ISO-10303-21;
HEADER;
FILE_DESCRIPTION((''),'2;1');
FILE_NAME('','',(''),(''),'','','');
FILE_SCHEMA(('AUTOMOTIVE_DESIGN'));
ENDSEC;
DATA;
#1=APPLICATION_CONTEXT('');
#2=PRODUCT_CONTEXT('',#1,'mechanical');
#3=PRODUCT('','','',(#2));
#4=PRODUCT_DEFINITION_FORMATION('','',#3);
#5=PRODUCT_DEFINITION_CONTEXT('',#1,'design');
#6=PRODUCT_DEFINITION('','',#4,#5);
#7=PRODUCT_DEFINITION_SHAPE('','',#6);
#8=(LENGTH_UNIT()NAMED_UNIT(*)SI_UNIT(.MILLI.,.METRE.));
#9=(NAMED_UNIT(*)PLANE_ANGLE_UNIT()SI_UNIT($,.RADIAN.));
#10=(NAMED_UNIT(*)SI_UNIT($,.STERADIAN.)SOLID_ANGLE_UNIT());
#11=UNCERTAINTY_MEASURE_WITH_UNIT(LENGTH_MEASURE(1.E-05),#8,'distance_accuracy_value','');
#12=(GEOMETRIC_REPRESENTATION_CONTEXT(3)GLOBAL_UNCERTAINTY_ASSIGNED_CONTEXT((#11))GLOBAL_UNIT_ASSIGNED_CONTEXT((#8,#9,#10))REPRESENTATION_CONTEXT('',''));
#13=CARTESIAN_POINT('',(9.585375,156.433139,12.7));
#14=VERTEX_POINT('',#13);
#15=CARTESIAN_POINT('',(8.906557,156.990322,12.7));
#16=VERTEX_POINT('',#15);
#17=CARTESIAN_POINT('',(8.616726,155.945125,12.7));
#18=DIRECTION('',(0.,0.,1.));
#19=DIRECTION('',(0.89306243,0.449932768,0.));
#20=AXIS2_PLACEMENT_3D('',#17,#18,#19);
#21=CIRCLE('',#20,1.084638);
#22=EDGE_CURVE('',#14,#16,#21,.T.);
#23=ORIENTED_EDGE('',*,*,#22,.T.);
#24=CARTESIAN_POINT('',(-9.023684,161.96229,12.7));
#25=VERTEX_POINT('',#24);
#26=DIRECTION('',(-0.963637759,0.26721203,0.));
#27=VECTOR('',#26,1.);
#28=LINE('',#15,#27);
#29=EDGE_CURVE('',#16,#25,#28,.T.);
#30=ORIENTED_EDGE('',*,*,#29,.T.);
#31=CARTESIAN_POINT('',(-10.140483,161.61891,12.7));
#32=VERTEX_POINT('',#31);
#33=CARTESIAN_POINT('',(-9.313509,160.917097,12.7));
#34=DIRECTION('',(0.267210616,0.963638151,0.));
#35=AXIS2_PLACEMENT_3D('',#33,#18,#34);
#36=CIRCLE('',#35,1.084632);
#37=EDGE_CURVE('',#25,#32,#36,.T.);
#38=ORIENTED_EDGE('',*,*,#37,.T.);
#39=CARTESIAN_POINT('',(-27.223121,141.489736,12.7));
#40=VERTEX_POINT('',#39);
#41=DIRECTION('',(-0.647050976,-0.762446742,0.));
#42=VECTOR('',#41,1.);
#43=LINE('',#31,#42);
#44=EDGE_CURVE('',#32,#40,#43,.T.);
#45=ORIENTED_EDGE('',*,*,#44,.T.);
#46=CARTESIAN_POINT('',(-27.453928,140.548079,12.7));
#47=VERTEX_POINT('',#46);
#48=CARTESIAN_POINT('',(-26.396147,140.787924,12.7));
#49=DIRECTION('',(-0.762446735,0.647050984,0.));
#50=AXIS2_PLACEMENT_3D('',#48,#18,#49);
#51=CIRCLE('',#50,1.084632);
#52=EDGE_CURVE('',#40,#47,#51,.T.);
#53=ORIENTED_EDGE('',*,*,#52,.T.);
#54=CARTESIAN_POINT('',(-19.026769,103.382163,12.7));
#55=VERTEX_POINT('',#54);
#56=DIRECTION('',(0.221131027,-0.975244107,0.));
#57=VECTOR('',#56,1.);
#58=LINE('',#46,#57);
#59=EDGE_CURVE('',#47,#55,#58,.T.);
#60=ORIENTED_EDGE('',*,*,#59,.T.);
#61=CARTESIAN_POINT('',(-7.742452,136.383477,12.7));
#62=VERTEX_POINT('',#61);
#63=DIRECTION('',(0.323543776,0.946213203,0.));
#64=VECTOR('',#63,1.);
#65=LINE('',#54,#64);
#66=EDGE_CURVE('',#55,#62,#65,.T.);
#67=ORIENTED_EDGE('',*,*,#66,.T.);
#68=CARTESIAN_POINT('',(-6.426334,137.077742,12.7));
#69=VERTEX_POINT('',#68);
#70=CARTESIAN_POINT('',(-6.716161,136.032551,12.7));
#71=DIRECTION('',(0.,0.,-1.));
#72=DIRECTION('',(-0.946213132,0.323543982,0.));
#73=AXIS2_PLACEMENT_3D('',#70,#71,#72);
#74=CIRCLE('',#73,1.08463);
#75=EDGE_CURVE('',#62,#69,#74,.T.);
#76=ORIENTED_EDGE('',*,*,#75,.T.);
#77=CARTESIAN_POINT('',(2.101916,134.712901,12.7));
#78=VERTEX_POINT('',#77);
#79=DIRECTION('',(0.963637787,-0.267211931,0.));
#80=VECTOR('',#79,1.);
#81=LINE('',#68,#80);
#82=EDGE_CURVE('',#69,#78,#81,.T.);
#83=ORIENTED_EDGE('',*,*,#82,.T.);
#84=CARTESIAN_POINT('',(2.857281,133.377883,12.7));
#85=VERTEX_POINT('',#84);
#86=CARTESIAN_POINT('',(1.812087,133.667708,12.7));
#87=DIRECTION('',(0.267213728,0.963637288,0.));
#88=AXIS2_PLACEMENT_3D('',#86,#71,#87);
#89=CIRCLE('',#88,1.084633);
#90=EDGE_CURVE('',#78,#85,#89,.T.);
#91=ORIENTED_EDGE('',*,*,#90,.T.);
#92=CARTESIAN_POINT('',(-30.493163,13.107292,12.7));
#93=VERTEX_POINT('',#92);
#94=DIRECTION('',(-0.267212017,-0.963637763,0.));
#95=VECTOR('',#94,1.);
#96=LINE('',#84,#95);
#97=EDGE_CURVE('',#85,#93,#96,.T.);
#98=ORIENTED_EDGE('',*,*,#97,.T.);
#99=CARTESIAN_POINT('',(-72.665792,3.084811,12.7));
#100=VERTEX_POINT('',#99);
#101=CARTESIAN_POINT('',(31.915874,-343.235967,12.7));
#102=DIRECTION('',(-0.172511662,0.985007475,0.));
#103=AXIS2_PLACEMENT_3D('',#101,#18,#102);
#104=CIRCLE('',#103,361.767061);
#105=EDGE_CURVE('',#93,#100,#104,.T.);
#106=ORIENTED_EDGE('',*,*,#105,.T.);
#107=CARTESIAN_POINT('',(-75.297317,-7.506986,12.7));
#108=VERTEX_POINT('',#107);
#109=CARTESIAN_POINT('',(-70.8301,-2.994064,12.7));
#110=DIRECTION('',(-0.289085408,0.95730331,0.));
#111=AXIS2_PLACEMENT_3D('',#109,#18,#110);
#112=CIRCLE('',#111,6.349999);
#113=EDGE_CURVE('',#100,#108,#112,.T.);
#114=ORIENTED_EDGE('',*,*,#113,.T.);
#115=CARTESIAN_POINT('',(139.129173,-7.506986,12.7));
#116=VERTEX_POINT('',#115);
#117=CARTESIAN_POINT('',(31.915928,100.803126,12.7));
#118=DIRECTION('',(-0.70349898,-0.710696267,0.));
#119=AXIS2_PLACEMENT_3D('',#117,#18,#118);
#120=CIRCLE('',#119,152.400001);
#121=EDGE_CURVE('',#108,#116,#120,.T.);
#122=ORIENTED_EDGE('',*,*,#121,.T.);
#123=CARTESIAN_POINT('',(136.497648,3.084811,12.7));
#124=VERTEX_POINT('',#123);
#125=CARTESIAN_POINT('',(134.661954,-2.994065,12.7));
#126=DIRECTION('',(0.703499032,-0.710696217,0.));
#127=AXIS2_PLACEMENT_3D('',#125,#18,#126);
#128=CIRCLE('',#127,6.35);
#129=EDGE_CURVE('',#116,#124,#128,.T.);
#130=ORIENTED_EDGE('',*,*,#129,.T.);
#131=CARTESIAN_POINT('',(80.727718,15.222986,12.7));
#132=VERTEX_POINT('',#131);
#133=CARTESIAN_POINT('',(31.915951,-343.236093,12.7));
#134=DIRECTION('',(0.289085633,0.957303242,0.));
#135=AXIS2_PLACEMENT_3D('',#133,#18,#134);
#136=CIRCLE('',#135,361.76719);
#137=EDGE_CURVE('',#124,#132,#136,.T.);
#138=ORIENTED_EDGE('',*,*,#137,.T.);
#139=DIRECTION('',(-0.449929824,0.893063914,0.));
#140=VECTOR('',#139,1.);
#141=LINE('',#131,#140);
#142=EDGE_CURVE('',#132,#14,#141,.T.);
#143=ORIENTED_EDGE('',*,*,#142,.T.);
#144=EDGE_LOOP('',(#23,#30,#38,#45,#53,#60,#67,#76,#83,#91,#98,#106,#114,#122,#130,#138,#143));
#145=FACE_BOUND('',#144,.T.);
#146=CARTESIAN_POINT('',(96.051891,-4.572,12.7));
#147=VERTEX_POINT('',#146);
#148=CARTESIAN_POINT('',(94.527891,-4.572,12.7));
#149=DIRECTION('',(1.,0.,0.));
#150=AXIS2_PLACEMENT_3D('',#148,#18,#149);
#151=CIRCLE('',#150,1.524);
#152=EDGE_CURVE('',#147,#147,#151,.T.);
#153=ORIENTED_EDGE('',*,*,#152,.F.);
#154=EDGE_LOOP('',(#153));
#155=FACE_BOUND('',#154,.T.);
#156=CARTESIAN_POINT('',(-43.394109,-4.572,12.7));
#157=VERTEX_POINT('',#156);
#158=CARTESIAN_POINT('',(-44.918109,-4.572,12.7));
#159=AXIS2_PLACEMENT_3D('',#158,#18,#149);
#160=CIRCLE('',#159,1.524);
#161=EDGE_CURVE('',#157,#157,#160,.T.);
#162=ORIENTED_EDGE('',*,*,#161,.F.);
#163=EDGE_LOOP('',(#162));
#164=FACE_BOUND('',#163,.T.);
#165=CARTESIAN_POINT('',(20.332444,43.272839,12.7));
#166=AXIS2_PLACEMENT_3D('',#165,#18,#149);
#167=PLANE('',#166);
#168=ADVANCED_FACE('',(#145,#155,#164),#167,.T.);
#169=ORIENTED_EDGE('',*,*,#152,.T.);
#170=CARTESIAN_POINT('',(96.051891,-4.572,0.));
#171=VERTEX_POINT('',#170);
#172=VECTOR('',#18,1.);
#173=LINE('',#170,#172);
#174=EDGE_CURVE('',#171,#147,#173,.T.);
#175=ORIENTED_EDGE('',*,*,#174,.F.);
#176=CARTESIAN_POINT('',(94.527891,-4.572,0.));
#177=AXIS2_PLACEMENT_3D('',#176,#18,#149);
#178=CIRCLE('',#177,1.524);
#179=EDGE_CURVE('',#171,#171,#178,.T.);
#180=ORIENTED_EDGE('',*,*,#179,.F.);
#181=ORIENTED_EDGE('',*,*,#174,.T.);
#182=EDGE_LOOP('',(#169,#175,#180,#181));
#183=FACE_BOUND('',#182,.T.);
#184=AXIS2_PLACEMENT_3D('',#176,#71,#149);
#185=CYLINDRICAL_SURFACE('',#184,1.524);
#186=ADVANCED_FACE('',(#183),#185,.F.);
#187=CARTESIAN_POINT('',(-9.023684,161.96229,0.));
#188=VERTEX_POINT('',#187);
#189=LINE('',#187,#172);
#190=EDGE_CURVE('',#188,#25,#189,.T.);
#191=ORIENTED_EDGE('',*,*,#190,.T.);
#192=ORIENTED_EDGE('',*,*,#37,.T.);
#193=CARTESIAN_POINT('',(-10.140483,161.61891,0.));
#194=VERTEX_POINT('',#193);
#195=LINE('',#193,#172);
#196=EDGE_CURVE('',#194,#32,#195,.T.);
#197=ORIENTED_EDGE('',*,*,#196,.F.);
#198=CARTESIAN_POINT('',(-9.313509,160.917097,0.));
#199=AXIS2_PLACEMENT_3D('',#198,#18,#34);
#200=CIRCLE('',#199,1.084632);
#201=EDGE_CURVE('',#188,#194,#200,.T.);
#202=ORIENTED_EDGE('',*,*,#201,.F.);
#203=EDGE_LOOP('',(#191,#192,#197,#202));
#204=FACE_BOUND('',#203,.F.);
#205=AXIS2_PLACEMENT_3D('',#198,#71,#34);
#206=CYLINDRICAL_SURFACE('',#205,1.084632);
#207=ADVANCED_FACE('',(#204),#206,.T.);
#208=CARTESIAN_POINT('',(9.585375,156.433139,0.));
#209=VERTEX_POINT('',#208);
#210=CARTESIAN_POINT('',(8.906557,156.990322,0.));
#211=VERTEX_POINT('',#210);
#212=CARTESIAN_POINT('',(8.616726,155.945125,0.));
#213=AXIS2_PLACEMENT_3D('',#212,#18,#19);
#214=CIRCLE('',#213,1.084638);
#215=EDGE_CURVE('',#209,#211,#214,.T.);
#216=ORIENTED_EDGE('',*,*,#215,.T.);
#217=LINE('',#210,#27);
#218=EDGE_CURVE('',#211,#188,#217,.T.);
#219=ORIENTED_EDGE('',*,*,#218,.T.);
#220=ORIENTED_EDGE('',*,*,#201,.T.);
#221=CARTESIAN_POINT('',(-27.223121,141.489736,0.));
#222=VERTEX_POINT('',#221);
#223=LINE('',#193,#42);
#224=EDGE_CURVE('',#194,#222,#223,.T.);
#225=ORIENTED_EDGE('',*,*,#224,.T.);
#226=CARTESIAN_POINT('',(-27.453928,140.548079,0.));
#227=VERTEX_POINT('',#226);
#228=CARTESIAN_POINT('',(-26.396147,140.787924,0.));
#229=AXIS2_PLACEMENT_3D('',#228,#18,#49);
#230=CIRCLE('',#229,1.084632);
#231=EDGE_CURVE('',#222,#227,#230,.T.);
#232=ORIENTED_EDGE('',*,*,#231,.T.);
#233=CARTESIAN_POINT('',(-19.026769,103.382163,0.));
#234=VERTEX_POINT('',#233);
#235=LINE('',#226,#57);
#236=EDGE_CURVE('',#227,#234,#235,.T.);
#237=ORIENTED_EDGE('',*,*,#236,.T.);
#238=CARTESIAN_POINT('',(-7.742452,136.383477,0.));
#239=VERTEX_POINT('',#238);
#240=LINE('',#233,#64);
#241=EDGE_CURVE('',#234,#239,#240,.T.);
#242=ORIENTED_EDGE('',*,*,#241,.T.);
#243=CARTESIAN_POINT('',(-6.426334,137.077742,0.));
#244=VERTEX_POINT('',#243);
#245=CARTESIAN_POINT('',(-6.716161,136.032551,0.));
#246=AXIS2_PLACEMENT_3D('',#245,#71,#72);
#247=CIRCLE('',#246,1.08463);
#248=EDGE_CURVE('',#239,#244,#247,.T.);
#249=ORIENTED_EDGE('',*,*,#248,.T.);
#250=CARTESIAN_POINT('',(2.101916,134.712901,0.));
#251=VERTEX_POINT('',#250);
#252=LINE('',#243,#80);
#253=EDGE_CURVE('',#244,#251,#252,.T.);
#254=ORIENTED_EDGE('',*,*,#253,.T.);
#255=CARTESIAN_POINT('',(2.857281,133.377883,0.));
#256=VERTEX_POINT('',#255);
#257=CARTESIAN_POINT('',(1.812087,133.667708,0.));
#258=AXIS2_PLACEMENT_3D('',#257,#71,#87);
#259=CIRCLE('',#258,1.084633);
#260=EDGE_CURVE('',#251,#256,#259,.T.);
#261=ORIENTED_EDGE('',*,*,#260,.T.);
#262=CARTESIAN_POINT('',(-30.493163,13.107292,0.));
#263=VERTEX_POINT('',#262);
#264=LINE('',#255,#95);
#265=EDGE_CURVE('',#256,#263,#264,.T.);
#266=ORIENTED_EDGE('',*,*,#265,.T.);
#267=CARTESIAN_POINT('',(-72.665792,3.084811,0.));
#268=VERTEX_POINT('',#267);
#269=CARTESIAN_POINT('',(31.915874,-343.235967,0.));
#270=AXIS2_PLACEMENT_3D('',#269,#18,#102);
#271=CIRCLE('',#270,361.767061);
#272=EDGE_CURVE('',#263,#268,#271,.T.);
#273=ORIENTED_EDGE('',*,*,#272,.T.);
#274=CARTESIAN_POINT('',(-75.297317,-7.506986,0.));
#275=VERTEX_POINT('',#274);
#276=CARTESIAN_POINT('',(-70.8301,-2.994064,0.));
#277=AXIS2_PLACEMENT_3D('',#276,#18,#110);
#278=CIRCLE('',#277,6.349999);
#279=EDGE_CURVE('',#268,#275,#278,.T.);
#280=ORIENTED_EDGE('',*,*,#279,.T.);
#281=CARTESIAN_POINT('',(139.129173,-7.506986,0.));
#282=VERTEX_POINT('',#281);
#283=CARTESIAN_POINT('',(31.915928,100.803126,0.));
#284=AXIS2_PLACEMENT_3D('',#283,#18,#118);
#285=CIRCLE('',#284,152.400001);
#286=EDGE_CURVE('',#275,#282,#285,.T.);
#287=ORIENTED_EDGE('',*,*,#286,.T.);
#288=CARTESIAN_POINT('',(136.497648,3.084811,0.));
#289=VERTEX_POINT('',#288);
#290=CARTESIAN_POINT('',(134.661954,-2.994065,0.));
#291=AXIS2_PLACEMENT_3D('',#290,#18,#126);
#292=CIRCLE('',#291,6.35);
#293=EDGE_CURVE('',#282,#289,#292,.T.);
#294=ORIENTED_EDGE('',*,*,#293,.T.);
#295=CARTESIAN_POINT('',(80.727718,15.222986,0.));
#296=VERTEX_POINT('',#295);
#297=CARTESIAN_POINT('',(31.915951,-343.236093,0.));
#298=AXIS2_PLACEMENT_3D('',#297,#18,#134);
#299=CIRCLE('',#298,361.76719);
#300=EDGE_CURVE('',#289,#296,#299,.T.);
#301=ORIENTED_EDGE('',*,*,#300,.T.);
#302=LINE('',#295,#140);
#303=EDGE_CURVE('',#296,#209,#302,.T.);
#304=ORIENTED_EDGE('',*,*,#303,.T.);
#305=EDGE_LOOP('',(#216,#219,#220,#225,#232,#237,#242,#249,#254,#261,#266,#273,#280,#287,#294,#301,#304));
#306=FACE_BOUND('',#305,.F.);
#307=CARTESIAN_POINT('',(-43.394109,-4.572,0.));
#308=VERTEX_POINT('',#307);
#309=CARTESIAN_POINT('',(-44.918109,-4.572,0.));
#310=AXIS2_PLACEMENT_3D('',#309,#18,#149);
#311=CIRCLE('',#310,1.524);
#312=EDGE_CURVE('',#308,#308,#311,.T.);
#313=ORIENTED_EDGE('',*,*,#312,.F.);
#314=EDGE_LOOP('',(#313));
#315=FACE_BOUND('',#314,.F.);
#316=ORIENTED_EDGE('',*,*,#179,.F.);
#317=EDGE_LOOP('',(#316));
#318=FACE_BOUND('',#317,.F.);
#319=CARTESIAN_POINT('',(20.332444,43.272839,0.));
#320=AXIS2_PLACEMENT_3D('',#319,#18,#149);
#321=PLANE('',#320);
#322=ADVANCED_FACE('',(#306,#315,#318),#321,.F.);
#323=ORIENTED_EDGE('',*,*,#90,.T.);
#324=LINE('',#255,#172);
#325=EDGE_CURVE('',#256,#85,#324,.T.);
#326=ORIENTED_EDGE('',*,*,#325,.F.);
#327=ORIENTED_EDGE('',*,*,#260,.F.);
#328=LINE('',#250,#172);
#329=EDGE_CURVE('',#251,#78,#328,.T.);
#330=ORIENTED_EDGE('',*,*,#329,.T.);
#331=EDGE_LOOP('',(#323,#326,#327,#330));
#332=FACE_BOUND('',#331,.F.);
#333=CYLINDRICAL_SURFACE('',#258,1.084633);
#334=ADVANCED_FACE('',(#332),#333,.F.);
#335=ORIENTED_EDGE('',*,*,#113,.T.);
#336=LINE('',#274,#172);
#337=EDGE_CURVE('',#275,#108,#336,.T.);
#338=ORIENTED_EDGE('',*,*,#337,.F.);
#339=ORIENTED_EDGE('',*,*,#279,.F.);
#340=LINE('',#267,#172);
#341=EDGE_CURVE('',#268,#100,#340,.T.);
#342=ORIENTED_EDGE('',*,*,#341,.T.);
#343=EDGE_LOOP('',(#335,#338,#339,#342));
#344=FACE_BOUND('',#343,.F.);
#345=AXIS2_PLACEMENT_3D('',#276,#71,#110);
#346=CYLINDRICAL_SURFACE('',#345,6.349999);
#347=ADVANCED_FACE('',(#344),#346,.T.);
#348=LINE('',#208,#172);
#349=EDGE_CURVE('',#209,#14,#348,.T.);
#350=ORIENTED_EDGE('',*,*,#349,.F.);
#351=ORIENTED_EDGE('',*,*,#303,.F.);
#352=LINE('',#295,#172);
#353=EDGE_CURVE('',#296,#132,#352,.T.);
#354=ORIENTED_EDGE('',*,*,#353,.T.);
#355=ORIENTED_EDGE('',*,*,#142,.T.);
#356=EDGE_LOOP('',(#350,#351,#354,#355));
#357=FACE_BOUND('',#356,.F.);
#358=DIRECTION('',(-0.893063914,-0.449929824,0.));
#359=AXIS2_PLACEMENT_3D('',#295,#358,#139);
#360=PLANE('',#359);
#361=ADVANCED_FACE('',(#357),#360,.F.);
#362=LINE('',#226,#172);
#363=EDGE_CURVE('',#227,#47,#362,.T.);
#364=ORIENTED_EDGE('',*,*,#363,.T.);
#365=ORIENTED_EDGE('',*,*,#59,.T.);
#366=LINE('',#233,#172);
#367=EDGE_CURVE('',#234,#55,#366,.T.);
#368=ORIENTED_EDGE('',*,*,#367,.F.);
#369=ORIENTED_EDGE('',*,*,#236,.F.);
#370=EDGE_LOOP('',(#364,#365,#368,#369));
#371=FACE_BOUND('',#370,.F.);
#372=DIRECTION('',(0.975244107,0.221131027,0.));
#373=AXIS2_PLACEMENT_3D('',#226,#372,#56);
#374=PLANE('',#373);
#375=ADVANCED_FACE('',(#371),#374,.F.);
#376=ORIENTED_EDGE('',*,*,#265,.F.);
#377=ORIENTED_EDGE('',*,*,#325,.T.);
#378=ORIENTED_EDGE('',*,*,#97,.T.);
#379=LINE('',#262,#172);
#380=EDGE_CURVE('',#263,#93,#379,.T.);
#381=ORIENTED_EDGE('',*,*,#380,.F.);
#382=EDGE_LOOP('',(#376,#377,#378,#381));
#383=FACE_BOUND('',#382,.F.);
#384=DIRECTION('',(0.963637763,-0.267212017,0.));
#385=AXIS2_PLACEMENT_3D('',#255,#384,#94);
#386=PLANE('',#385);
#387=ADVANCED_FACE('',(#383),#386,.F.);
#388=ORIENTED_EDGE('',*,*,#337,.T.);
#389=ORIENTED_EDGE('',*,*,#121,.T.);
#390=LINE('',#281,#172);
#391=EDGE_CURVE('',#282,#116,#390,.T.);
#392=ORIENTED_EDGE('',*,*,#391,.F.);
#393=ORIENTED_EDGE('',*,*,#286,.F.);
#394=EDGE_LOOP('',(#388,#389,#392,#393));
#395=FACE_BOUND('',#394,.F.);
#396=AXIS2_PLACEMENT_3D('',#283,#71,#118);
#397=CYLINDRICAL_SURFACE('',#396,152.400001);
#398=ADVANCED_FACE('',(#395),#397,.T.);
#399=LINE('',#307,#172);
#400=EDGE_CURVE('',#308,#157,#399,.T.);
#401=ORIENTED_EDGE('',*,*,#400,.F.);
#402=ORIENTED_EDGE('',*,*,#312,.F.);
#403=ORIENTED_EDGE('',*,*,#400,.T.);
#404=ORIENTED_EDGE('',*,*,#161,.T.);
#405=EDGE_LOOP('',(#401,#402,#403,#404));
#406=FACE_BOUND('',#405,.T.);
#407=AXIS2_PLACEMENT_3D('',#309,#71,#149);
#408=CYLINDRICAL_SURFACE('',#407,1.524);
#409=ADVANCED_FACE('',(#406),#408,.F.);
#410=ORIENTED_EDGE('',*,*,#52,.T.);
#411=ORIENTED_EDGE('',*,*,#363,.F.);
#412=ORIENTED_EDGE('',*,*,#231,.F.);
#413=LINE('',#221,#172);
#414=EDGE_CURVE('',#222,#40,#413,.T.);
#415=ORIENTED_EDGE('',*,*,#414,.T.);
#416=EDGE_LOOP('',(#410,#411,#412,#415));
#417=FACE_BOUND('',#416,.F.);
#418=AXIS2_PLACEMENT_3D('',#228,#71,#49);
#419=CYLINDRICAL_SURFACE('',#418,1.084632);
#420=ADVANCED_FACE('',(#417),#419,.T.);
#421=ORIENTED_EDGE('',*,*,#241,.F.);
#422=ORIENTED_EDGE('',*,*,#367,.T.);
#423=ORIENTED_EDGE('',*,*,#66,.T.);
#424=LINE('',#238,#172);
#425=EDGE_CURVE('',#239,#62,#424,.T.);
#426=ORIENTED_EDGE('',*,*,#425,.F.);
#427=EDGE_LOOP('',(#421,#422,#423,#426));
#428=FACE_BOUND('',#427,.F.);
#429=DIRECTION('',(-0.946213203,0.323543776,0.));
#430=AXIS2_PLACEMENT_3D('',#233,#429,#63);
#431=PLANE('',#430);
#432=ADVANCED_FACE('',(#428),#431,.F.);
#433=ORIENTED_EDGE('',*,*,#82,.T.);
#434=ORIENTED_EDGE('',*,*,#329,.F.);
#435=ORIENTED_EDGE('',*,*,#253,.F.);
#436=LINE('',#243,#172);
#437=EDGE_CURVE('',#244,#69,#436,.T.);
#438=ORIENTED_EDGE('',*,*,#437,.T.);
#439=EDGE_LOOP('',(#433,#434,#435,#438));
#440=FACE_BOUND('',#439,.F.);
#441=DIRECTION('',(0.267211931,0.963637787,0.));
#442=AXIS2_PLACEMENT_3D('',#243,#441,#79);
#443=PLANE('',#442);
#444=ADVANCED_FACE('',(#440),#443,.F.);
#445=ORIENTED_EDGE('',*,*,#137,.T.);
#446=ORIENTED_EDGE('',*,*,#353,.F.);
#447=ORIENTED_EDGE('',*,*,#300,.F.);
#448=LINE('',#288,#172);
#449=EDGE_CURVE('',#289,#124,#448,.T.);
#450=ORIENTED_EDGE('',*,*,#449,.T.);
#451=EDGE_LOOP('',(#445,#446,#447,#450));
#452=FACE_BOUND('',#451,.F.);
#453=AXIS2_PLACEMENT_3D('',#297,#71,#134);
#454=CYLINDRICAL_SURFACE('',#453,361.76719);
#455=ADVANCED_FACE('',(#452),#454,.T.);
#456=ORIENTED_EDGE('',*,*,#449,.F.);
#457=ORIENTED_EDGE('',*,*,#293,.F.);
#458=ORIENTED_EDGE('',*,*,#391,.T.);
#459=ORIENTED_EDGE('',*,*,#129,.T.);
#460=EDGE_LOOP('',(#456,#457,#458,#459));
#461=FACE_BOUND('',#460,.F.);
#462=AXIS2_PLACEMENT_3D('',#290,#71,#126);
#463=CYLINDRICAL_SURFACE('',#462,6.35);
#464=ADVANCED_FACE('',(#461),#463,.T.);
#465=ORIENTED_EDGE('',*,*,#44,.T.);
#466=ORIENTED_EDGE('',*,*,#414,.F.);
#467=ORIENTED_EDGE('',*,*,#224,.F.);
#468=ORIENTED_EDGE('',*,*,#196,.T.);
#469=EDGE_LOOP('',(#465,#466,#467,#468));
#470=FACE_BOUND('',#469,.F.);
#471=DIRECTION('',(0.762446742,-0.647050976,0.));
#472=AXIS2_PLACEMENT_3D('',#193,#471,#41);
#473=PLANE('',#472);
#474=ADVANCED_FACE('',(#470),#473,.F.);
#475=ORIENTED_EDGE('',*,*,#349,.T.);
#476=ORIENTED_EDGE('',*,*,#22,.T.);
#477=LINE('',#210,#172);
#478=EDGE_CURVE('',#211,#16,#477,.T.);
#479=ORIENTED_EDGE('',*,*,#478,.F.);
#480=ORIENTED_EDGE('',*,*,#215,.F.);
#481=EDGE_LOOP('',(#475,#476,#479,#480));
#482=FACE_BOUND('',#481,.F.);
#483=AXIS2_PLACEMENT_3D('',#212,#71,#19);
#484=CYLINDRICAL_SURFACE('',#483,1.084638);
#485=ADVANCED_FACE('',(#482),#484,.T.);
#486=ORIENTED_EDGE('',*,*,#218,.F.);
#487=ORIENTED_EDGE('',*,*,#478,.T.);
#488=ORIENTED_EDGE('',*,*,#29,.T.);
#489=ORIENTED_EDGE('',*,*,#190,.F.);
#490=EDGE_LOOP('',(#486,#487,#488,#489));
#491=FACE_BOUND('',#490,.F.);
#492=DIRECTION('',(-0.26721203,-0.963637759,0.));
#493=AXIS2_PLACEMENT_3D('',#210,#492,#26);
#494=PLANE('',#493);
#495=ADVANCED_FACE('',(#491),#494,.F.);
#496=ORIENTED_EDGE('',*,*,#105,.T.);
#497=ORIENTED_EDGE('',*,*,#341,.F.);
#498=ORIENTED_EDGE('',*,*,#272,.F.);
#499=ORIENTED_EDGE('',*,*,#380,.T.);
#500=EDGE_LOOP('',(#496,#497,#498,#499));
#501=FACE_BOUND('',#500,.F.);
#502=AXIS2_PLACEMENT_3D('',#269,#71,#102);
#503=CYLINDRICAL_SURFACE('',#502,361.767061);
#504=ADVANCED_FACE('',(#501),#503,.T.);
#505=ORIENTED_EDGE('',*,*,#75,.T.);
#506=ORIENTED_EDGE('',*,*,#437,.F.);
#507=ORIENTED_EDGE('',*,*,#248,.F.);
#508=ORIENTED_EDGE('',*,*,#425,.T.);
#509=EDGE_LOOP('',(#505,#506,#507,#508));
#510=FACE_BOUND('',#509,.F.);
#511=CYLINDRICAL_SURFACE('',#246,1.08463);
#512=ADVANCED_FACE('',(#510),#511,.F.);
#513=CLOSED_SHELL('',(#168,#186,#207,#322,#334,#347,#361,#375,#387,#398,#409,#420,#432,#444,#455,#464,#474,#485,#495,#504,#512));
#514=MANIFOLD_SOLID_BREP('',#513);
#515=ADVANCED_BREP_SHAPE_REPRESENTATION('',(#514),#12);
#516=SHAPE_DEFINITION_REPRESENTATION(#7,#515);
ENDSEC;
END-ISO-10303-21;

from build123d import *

# Parameters (mm, degrees)
F0_R     = 1.524
F1_DEPTH = 12.7


with BuildPart() as f1:
    # F0 (on Top) → F1 (new body)
    with BuildSketch(Plane.XY):
        with BuildLine():
            ThreePointArc((-72.665792, 3.084811), (-76.992746, -1.462959), (-75.297317, -7.506986))
            ThreePointArc((-75.297317, -7.506986), (31.915928, -51.596875), (139.129173, -7.506986))
            ThreePointArc((139.129173, -7.506986), (140.824601, -1.462959), (136.497648, 3.084811))
            ThreePointArc((136.497648, 3.084811), (108.852435, 10.255459), (80.727718, 15.222986))
            Line((80.727718, 15.222986), (9.585375, 156.433139))
            ThreePointArc((9.585375, 156.433139), (9.30488, 156.783506), (8.906557, 156.990322))
            Line((8.906557, 156.990322), (-9.023684, 161.96229))
            ThreePointArc((-9.023684, 161.96229), (-9.632272, 161.953831), (-10.140483, 161.61891))
            Line((-10.140483, 161.61891), (-27.223121, 141.489736))
            ThreePointArc((-27.223121, 141.489736), (-27.449596, 141.046132), (-27.453928, 140.548079))
            Line((-27.453928, 140.548079), (-19.026769, 103.382163))
            Line((-19.026769, 103.382163), (-7.742452, 136.383477))
            ThreePointArc((-7.742452, 136.383477), (-7.22222, 136.991888), (-6.426334, 137.077742))
            Line((-6.426334, 137.077742), (2.101916, 134.712901))
            ThreePointArc((2.101916, 134.712901), (2.756089, 134.201833), (2.857281, 133.377883))
            Line((2.857281, 133.377883), (-30.493163, 13.107292))
            ThreePointArc((-30.493163, 13.107292), (-51.729725, 8.728264), (-72.665792, 3.084811))
        make_face()
        with Locations((-44.918109, -4.572)):
            Circle(F0_R, mode=Mode.SUBTRACT)
        with Locations((94.527891, -4.572)):
            Circle(F0_R, mode=Mode.SUBTRACT)
    extrude(amount=F1_DEPTH)


solid = f1.part
